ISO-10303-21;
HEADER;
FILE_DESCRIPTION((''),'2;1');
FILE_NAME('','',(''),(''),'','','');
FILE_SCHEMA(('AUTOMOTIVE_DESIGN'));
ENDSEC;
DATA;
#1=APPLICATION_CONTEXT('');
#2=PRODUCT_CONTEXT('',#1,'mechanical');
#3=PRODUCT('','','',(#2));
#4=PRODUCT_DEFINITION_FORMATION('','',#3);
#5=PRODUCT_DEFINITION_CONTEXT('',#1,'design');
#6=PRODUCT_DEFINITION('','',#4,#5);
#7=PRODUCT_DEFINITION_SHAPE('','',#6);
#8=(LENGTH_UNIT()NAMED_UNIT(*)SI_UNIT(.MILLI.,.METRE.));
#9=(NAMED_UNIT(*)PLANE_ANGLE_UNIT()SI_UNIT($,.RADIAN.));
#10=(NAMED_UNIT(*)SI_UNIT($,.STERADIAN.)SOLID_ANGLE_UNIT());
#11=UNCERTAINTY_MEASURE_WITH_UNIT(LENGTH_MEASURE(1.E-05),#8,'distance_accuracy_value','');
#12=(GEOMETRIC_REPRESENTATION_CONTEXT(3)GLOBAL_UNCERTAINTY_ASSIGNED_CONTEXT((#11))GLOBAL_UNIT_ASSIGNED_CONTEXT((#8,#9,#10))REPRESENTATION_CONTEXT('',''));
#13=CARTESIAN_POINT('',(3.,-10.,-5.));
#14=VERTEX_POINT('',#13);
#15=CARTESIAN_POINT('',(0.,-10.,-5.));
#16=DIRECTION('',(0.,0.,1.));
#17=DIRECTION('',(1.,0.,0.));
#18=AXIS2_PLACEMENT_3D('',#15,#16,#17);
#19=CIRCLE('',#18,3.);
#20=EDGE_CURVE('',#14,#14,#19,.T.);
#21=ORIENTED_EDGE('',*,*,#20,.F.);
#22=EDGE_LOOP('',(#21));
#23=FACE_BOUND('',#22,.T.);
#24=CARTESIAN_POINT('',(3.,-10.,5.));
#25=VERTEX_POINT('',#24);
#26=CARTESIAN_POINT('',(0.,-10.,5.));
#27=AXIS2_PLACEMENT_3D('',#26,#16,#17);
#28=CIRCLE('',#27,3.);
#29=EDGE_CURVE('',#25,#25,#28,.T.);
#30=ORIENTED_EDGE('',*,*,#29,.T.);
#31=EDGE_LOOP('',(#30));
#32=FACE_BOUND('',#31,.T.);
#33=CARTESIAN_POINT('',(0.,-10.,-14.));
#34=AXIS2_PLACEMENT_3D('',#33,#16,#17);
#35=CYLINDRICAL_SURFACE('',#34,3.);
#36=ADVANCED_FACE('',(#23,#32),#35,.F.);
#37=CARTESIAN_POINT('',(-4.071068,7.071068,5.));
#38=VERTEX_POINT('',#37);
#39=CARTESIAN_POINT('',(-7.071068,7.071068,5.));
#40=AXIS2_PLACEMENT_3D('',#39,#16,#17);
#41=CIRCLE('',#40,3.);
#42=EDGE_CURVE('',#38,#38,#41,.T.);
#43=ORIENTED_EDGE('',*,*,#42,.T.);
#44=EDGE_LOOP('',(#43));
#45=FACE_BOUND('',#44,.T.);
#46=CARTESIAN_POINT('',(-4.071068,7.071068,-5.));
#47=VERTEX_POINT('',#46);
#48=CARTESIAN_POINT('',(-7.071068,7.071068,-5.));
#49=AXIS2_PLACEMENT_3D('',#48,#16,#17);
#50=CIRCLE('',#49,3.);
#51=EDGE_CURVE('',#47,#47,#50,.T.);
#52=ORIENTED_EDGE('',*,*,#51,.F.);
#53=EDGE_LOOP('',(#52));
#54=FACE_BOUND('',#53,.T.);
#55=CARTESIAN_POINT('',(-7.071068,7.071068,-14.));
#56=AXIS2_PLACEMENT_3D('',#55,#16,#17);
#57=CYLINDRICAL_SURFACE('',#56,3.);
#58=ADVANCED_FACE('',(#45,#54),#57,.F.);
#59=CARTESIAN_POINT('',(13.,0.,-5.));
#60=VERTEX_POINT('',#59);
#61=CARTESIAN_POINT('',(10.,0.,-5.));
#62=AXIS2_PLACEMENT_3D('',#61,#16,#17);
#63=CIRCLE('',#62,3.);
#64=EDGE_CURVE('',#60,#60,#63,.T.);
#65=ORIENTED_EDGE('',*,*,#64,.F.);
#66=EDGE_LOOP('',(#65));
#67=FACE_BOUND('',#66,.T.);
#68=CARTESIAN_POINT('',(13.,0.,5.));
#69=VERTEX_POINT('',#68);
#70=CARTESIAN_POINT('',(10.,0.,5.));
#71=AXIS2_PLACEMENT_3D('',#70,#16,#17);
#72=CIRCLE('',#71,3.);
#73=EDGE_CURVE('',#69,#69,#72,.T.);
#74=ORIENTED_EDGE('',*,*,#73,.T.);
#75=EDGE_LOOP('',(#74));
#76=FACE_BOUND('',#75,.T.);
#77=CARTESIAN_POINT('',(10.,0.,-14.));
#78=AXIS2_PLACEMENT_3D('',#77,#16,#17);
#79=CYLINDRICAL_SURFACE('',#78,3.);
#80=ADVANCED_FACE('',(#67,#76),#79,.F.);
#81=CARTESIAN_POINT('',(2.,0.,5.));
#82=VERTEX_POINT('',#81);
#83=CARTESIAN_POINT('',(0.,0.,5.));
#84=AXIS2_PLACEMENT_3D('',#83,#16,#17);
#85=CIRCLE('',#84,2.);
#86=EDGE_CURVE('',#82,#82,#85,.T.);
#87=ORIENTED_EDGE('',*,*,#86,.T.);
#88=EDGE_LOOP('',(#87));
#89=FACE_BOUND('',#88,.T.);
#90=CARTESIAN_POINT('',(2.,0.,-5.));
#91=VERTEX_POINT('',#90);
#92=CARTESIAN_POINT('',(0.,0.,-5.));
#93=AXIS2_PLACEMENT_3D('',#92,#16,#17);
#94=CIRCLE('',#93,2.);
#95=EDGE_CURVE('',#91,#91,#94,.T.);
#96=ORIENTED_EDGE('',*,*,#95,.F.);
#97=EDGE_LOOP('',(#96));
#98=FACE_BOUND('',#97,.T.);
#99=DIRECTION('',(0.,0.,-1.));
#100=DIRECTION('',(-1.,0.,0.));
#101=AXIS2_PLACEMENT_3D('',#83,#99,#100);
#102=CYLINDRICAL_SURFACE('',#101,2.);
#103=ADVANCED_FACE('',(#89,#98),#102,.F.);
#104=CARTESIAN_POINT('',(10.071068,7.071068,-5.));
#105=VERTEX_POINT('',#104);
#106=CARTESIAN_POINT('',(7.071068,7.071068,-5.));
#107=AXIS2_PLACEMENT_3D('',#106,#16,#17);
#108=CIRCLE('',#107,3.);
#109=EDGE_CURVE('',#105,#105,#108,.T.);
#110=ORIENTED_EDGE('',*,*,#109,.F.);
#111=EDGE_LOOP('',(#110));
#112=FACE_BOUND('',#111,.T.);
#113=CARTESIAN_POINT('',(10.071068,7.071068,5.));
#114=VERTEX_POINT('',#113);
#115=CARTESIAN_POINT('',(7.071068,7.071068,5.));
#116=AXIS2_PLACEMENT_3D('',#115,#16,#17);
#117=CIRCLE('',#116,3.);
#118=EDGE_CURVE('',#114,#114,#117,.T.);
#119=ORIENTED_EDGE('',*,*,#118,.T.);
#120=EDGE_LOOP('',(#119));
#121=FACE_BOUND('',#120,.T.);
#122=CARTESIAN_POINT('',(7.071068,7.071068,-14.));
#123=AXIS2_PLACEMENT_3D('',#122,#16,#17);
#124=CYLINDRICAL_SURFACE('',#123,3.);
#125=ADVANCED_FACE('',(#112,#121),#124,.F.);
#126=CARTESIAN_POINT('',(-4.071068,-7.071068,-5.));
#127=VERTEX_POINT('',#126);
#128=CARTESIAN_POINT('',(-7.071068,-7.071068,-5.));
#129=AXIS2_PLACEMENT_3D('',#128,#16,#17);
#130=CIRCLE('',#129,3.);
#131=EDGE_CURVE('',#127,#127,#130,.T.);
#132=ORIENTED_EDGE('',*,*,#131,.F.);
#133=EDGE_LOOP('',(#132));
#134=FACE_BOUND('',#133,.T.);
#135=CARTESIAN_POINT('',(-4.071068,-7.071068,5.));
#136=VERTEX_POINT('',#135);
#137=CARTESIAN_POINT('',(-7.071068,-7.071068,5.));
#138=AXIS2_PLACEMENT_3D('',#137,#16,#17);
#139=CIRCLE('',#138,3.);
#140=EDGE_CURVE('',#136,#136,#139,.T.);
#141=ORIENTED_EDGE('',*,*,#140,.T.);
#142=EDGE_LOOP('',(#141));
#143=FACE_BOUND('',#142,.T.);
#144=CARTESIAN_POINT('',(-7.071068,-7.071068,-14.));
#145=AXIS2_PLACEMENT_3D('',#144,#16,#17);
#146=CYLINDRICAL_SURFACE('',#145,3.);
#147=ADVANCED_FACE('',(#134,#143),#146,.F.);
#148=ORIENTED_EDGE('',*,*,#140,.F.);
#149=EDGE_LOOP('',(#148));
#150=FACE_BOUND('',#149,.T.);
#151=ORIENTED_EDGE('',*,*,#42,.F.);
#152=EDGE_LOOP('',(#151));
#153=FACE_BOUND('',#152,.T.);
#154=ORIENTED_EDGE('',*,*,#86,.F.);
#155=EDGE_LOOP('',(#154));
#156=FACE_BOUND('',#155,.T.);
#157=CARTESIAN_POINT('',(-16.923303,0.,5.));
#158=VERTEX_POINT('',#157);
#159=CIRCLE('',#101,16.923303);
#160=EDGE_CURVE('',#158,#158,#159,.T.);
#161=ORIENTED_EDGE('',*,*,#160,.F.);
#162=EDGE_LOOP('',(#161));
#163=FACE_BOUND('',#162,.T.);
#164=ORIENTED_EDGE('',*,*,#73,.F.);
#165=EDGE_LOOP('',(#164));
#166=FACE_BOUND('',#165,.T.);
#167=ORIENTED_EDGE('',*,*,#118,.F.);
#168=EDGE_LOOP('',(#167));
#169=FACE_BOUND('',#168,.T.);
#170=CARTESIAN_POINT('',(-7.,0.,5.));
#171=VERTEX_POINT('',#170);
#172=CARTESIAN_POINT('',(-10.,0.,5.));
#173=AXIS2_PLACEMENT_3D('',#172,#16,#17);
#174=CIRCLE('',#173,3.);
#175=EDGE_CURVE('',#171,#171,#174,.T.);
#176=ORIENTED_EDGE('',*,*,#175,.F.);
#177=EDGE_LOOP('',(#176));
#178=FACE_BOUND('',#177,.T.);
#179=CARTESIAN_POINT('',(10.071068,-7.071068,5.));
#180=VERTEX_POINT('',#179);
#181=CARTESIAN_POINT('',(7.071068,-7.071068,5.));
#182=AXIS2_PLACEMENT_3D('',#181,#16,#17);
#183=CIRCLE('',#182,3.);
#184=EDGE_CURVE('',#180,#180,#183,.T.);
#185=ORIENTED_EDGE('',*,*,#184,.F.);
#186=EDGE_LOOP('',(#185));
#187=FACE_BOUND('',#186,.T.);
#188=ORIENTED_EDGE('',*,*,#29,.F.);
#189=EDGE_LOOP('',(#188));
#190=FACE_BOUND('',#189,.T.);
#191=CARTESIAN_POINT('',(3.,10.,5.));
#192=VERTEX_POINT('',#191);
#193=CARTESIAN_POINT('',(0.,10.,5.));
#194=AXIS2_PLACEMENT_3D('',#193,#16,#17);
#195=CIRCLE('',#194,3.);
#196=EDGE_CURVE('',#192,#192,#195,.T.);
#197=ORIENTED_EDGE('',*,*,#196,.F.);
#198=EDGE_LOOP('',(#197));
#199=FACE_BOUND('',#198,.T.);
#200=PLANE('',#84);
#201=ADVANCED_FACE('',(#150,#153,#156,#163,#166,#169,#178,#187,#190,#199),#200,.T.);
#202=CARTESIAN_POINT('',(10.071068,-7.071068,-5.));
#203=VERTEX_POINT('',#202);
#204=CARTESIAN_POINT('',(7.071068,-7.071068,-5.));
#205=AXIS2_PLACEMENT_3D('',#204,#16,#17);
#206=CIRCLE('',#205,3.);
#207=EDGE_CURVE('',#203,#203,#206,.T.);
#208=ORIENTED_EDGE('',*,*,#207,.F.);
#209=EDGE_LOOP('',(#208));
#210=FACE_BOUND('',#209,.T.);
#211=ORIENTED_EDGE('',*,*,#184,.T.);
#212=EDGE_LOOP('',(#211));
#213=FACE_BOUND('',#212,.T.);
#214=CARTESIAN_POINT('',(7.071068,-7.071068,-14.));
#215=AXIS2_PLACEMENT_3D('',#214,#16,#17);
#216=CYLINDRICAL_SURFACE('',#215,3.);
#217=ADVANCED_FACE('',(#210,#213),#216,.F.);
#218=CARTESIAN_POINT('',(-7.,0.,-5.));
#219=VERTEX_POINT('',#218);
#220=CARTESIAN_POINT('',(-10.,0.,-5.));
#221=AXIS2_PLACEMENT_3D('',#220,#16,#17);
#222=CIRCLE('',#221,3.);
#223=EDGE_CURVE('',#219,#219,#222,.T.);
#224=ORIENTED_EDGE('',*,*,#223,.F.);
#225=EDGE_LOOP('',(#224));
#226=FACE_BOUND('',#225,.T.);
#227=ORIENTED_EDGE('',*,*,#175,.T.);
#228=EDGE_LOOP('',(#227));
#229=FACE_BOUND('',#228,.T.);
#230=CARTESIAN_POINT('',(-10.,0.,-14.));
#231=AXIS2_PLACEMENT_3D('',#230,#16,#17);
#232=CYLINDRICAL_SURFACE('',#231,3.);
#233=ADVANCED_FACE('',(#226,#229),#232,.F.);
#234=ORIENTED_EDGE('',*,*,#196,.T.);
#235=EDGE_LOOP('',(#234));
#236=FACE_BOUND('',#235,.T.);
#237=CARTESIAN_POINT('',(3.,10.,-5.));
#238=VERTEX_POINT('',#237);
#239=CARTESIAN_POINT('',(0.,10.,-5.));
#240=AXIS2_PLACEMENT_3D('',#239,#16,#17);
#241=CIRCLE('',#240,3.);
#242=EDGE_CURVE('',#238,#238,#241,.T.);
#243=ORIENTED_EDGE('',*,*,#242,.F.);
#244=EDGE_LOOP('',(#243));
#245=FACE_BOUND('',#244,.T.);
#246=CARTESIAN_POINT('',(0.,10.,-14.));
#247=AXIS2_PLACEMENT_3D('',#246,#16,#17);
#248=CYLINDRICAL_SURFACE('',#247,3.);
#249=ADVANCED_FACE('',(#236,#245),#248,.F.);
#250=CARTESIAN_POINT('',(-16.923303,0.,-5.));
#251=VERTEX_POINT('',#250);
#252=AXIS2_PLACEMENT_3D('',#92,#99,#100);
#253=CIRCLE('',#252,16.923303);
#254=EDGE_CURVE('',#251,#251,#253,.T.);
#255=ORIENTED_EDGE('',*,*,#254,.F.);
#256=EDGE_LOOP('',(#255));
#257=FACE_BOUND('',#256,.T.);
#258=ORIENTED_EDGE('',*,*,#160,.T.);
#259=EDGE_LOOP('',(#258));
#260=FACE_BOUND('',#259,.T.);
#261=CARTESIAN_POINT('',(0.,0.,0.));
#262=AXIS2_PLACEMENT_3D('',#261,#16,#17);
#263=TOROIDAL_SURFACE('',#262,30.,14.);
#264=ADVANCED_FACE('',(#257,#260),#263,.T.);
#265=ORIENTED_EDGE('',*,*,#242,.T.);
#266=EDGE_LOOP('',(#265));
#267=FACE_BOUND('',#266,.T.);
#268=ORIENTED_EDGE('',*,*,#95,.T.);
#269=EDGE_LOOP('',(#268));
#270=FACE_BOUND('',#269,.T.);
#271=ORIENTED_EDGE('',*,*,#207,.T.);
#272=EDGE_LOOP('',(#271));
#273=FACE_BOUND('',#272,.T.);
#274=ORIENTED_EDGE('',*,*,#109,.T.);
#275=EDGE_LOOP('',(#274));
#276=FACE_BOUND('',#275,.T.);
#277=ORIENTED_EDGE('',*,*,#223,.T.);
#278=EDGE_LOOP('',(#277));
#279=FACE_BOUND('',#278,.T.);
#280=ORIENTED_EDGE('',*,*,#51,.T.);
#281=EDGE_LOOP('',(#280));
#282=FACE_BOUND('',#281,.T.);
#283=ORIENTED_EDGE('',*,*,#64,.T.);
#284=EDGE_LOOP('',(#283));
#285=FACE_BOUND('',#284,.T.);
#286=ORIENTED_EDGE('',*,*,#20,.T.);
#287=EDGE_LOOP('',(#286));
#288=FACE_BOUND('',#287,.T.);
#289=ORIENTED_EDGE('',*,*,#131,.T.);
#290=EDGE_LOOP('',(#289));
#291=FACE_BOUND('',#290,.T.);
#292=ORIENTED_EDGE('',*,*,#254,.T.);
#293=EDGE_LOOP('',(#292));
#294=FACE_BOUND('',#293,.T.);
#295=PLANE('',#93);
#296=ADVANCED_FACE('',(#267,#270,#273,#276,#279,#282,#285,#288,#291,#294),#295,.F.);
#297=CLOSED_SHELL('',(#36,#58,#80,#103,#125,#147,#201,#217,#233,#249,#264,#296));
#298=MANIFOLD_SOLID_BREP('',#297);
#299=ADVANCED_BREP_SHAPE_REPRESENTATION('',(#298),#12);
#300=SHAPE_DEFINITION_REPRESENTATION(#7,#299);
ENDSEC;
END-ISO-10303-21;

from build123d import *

# Parameters (mm, degrees)
SKETCH_1_R          = 14
SKETCH_2_R          = 18
SKETCH_2_R_2        = 2
EXTRUDE_2_DEPTH     = 5
SKETCH_3_R          = 3
CUT_EXTRUDE_1_DEPTH = 20


with BuildPart() as part:
    # 草图1 → 旋转1 (revolve)
    with BuildSketch(Plane(origin=(0, 0, 0), x_dir=(0, 0, -1), z_dir=(1, 0, 0))):
        with Locations((0, 30)):
            Circle(SKETCH_1_R)
    revolve(axis=Axis((0, 0, 15.4), (0, 0, -1)))

    # 草图2 → 凸台-拉伸2 (add, symmetric)
    with BuildSketch(Plane.XY):
        Circle(SKETCH_2_R)
        Circle(SKETCH_2_R_2, mode=Mode.SUBTRACT)
    extrude(amount=EXTRUDE_2_DEPTH, both=True)

    # 草图3 → 切除-拉伸1 (cut, through all)
    with BuildSketch(Plane.XY.offset(5)):
        with Locations((0, 10)):
            Circle(SKETCH_3_R)
        with Locations((7.071067812, 7.071067812)):
            Circle(SKETCH_3_R)
        with Locations((10, 0)):
            Circle(SKETCH_3_R)
        with Locations((7.071067812, -7.071067812)):
            Circle(SKETCH_3_R)
        with Locations((0, -10)):
            Circle(SKETCH_3_R)
        with Locations((-7.071067812, -7.071067812)):
            Circle(SKETCH_3_R)
        with Locations((-10, 0)):
            Circle(SKETCH_3_R)
        with Locations((-7.071067812, 7.071067812)):
            Circle(SKETCH_3_R)
    extrude(amount=-CUT_EXTRUDE_1_DEPTH, mode=Mode.SUBTRACT)


solid = part.part
